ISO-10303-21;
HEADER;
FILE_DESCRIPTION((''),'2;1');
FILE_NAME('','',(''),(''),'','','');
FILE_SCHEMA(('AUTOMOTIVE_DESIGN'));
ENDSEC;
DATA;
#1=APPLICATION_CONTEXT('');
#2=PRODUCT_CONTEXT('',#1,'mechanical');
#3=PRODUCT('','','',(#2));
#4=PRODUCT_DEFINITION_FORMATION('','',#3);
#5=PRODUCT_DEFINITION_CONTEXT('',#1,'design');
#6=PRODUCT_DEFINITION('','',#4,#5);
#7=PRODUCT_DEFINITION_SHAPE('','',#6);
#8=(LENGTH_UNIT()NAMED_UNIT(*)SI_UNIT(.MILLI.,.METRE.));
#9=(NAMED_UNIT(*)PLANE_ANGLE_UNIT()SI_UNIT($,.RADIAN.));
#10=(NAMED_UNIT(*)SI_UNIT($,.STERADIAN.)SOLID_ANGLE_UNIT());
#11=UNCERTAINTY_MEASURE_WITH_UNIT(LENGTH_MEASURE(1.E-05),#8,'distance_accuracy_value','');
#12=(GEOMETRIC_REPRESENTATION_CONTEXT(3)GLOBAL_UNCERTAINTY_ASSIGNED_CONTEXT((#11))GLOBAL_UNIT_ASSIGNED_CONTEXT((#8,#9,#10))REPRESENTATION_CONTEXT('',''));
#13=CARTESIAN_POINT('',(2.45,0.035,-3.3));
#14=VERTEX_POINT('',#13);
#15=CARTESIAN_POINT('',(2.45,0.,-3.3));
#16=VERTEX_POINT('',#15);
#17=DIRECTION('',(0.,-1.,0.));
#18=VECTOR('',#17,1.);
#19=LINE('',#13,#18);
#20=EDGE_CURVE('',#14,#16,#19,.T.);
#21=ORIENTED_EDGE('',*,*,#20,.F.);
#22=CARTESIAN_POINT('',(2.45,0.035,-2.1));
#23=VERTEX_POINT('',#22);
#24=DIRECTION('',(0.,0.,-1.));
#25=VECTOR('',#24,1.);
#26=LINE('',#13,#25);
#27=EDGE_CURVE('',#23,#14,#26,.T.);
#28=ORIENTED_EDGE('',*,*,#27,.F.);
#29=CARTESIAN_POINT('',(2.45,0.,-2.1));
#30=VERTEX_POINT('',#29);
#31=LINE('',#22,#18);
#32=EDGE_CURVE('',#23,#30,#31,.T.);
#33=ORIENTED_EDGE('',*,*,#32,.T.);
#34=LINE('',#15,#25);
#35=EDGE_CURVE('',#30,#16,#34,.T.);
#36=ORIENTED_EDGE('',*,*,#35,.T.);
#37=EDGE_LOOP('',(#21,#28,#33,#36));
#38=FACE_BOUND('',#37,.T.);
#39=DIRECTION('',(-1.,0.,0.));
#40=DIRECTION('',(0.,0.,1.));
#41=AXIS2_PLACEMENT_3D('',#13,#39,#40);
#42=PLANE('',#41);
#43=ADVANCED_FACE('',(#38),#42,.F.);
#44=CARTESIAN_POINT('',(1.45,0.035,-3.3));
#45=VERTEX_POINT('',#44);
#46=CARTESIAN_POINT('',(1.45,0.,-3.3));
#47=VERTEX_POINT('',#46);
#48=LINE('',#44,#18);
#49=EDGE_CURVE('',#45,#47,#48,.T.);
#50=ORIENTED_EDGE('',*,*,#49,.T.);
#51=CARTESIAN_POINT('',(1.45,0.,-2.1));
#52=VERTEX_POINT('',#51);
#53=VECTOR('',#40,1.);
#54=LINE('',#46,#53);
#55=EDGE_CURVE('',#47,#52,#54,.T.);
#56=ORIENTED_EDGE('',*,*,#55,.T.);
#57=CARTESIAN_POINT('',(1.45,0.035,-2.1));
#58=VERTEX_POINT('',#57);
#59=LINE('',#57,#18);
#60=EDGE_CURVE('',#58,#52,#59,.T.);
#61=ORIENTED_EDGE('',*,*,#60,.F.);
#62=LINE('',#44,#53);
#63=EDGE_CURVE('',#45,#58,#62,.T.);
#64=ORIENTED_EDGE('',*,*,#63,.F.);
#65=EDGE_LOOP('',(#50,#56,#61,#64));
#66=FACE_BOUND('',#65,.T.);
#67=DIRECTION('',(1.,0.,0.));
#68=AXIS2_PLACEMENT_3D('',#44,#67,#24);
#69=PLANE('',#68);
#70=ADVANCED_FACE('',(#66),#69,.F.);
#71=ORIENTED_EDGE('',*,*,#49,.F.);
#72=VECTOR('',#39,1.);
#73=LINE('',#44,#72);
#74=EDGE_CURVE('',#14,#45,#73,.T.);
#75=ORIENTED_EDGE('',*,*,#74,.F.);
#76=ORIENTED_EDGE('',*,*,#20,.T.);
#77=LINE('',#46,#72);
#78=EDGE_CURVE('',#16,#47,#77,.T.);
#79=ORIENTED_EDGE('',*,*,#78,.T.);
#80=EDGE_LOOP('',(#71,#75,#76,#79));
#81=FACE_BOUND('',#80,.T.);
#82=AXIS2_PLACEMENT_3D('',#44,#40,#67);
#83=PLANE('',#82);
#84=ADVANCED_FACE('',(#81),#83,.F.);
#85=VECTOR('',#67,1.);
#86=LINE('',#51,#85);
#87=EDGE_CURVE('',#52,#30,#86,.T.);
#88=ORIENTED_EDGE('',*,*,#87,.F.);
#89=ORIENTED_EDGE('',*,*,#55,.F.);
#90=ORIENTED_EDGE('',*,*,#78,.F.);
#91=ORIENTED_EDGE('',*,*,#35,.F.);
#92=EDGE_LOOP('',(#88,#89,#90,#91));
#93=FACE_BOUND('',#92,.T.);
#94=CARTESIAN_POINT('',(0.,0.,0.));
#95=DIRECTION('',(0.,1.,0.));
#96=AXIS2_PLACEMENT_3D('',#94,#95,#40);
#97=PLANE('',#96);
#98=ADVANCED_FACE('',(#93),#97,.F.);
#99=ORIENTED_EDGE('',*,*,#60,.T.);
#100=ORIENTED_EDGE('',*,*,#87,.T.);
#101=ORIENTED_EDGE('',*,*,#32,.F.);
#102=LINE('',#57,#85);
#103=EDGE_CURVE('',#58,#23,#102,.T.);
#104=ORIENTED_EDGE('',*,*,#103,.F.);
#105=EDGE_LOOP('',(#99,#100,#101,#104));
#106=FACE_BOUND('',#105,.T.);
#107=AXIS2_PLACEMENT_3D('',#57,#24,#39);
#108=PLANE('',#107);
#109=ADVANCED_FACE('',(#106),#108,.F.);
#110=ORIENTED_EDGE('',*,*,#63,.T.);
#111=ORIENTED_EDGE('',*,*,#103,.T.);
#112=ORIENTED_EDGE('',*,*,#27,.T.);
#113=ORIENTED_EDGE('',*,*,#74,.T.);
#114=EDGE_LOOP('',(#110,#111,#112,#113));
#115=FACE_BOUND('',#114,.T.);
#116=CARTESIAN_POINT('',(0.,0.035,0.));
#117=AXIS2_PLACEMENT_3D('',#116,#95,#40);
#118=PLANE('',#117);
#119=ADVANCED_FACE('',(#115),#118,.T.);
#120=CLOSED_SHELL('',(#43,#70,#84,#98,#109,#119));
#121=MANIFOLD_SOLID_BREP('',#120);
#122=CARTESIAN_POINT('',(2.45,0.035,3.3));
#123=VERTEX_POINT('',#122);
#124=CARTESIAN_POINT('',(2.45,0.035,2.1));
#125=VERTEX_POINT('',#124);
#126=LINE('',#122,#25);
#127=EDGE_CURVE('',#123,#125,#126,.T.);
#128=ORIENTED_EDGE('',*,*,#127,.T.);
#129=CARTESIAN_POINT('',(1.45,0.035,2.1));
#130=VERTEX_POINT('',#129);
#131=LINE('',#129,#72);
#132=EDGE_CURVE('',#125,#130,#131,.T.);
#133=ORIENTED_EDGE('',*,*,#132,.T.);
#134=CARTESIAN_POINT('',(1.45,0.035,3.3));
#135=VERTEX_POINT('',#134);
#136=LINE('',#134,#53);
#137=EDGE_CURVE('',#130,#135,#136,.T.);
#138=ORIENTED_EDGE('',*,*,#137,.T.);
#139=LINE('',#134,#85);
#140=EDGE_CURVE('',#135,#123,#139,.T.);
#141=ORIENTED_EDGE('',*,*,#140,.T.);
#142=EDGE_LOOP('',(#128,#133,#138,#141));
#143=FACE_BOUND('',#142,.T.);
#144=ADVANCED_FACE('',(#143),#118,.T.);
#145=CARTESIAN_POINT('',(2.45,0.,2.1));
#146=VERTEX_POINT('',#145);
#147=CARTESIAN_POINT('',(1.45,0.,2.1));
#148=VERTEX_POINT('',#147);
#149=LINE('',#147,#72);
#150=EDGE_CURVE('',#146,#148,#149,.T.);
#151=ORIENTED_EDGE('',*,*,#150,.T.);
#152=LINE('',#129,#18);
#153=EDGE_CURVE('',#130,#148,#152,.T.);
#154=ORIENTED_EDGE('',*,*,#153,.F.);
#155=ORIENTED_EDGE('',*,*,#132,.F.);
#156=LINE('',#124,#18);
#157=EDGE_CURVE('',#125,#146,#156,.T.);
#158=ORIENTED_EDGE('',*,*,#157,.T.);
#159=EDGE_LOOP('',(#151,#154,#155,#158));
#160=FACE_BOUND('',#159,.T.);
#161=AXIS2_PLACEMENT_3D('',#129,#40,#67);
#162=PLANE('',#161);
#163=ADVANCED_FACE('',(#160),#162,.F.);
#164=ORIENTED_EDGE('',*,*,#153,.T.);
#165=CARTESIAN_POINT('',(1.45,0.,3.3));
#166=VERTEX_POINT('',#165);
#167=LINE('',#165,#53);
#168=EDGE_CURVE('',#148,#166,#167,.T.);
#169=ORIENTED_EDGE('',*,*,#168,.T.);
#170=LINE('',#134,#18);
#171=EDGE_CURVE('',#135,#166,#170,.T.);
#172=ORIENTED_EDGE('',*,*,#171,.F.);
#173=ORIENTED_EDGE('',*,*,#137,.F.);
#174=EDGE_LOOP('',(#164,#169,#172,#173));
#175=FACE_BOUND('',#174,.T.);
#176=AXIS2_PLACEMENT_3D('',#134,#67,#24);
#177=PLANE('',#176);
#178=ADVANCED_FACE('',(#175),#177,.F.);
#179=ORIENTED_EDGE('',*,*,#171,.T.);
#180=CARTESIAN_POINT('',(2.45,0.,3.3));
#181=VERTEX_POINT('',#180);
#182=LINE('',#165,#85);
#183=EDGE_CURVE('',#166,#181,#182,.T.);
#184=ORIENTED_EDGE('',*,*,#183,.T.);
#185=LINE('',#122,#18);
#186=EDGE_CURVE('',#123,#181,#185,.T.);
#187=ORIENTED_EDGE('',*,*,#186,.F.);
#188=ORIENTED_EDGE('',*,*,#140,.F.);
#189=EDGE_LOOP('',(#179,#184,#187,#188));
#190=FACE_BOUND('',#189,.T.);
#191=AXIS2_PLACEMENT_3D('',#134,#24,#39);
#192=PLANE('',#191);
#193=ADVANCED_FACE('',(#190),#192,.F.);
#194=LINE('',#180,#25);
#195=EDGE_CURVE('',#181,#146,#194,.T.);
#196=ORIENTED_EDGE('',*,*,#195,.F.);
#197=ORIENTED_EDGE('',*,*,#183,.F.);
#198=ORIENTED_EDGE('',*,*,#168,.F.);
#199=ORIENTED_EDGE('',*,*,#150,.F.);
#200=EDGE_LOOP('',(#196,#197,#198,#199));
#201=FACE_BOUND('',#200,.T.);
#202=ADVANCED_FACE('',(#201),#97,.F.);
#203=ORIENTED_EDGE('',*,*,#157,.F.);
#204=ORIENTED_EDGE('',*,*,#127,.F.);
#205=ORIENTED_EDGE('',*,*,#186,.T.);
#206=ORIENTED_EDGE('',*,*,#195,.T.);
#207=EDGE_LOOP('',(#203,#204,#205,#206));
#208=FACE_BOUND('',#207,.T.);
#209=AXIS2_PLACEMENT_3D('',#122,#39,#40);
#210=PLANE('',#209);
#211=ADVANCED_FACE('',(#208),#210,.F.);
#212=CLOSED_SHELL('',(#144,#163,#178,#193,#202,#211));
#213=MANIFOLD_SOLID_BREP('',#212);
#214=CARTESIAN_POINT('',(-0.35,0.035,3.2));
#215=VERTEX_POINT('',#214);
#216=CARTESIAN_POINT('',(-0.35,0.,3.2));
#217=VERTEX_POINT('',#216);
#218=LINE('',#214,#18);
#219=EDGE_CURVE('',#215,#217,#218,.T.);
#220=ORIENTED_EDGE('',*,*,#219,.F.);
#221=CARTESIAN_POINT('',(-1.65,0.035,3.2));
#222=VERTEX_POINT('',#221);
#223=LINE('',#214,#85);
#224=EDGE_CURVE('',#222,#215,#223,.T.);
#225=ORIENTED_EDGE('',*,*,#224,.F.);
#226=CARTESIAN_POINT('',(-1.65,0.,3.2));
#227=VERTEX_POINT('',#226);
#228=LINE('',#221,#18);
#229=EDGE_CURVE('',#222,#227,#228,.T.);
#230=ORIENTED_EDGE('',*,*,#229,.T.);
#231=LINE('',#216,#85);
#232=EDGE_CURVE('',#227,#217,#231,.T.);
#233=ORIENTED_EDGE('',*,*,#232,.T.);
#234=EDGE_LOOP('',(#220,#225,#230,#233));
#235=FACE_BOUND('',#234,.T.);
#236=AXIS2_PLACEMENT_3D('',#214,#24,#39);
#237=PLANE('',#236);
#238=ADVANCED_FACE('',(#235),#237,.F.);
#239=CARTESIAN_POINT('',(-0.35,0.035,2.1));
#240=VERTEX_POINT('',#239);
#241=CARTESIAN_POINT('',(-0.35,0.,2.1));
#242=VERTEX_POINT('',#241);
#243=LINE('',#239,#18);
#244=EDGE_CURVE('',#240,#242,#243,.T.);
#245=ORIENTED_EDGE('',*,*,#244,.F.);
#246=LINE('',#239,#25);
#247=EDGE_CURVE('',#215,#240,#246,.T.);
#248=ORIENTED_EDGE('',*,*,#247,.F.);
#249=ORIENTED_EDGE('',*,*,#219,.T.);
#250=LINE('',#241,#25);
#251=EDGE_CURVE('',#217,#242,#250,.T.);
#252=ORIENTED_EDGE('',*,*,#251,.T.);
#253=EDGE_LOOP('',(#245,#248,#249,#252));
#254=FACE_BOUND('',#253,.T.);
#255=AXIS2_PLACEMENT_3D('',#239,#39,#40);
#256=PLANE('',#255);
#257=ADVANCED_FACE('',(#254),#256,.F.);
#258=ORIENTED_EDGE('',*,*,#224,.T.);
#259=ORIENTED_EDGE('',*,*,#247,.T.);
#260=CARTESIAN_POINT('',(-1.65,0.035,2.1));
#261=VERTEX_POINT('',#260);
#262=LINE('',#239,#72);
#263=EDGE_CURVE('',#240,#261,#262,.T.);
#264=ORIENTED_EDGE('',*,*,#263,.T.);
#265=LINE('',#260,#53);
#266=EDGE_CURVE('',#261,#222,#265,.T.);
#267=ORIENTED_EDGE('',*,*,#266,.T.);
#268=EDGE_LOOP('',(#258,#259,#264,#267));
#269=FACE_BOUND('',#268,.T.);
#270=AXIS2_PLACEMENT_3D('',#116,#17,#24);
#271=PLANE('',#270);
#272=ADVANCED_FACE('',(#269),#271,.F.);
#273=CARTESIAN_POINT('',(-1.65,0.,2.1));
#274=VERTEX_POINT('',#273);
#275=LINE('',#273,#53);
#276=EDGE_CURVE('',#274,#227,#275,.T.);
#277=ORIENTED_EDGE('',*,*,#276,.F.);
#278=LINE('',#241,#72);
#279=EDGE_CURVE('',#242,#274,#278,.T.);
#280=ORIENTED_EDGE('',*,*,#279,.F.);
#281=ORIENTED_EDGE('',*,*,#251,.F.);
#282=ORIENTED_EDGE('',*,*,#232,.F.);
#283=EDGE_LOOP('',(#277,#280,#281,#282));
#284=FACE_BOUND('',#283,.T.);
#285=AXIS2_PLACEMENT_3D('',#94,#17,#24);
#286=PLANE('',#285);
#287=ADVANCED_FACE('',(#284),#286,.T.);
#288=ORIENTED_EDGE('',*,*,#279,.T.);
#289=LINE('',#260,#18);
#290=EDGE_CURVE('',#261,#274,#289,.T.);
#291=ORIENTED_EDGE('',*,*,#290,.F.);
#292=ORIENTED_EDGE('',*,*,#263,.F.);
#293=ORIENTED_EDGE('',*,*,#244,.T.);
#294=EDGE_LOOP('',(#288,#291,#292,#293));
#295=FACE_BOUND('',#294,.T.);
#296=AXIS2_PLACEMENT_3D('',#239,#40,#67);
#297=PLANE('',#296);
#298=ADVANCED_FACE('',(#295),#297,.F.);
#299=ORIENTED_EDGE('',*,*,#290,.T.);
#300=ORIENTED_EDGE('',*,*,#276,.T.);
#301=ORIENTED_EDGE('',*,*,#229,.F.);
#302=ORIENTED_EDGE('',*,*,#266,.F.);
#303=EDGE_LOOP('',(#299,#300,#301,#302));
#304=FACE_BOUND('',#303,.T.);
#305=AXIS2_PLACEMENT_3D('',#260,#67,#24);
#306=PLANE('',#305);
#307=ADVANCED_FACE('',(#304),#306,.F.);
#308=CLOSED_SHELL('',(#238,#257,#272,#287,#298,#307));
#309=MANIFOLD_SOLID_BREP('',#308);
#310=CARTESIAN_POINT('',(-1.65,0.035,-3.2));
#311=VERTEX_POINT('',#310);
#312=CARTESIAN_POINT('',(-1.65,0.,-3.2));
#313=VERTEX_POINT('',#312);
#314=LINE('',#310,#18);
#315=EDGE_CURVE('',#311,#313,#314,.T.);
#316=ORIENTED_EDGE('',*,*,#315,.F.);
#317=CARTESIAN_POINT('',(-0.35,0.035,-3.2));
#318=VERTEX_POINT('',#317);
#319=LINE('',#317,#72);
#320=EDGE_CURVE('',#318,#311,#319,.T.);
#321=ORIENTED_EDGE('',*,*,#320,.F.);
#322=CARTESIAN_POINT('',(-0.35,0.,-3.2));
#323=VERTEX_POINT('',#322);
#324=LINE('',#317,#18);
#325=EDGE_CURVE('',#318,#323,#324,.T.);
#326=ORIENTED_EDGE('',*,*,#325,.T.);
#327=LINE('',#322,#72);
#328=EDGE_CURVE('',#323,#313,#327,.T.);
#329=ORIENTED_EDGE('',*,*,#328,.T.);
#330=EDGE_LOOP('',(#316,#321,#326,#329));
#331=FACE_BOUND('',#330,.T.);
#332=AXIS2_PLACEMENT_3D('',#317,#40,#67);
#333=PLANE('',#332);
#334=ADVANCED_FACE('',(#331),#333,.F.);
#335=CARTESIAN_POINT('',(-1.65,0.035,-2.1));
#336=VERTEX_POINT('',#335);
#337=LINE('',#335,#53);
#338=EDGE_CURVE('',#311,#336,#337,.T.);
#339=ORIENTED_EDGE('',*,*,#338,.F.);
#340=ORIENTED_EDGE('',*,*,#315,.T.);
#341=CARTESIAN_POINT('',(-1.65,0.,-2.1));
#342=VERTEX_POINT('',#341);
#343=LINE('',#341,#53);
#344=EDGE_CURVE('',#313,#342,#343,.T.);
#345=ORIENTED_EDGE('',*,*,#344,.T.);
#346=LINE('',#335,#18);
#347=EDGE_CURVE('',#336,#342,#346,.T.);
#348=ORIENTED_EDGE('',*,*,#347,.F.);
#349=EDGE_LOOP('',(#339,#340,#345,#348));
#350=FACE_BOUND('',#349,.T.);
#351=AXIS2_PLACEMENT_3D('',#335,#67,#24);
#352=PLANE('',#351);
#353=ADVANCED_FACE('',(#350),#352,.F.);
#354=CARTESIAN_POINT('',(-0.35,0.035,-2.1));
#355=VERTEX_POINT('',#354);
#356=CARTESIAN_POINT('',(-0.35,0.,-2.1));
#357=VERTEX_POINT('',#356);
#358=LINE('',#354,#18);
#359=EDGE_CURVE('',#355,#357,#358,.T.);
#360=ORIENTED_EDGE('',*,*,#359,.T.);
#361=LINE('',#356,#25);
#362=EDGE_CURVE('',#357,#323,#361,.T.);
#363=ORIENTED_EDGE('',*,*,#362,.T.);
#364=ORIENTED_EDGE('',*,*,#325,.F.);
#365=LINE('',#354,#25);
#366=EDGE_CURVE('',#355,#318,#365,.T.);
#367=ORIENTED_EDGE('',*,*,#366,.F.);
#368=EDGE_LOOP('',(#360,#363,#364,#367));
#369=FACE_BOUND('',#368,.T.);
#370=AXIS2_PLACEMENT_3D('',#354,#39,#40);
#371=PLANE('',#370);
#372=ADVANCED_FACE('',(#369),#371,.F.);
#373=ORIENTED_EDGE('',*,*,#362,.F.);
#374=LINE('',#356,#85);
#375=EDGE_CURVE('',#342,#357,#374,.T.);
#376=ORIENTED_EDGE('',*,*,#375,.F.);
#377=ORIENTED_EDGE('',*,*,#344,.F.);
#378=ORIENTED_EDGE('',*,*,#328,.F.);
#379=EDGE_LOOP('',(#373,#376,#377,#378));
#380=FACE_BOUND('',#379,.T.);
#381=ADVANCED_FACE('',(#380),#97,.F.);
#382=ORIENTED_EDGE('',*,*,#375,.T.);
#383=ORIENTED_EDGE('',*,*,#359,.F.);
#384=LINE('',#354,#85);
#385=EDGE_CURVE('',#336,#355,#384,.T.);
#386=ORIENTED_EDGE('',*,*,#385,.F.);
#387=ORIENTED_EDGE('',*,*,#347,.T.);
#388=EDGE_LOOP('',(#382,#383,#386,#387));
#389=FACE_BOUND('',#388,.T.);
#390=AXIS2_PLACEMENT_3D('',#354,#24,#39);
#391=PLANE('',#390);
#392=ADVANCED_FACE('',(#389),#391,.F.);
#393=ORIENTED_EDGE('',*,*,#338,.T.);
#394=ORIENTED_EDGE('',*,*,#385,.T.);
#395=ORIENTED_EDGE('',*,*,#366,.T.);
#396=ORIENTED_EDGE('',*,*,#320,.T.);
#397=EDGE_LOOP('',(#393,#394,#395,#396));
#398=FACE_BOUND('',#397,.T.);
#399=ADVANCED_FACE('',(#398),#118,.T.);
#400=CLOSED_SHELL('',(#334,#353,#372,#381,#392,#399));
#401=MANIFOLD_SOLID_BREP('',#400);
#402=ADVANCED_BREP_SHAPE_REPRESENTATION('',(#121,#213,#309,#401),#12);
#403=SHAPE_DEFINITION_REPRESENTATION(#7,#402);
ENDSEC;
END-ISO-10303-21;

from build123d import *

# Parameters (mm, degrees)
SKETCH2_W             = 1
SKETCH2_H             = 1.2
BOSS_EXTRUDE1_DEPTH   = 0.035
SKETCH2_W_2           = 1.3
SKETCH2_H_2           = 1.1
BOSS_EXTRUDE1_2_DEPTH = 0.035
BOSS_EXTRUDE1_3_DEPTH = 0.035
BOSS_EXTRUDE1_4_DEPTH = 0.035


with BuildPart() as part:
    # Sketch2 → Boss-Extrude1 (new body)
    with BuildSketch(Plane(origin=(0, 0, 0), x_dir=(1, 0, 0), z_dir=(0, 1, 0))):
        with Locations((1.95, 2.7)):
            Rectangle(SKETCH2_W, SKETCH2_H)
    extrude(amount=BOSS_EXTRUDE1_DEPTH)


with BuildPart() as body_2:
    # Sketch2 → Boss-Extrude1 2 (new body)
    with BuildSketch(Plane(origin=(0, 0, 0), x_dir=(1, 0, 0), z_dir=(0, 1, 0))):
        with Locations((-1, 2.65)):
            Rectangle(SKETCH2_W_2, SKETCH2_H_2)
    extrude(amount=BOSS_EXTRUDE1_2_DEPTH)


with BuildPart() as body_3:
    # Sketch2 → Boss-Extrude1 3 (new body)
    with BuildSketch(Plane(origin=(0, 0, 0), x_dir=(1, 0, 0), z_dir=(0, 1, 0))):
        with Locations((1.95, -2.7)):
            Rectangle(SKETCH2_W, SKETCH2_H)
    extrude(amount=BOSS_EXTRUDE1_3_DEPTH)


with BuildPart() as body_4:
    # Sketch2 → Boss-Extrude1 4 (new body)
    with BuildSketch(Plane(origin=(0, 0, 0), x_dir=(1, 0, 0), z_dir=(0, 1, 0))):
        with Locations((-1, -2.65)):
            Rectangle(SKETCH2_W_2, SKETCH2_H_2)
    extrude(amount=BOSS_EXTRUDE1_4_DEPTH)


solid = Compound([part.part, body_2.part, body_3.part, body_4.part])
